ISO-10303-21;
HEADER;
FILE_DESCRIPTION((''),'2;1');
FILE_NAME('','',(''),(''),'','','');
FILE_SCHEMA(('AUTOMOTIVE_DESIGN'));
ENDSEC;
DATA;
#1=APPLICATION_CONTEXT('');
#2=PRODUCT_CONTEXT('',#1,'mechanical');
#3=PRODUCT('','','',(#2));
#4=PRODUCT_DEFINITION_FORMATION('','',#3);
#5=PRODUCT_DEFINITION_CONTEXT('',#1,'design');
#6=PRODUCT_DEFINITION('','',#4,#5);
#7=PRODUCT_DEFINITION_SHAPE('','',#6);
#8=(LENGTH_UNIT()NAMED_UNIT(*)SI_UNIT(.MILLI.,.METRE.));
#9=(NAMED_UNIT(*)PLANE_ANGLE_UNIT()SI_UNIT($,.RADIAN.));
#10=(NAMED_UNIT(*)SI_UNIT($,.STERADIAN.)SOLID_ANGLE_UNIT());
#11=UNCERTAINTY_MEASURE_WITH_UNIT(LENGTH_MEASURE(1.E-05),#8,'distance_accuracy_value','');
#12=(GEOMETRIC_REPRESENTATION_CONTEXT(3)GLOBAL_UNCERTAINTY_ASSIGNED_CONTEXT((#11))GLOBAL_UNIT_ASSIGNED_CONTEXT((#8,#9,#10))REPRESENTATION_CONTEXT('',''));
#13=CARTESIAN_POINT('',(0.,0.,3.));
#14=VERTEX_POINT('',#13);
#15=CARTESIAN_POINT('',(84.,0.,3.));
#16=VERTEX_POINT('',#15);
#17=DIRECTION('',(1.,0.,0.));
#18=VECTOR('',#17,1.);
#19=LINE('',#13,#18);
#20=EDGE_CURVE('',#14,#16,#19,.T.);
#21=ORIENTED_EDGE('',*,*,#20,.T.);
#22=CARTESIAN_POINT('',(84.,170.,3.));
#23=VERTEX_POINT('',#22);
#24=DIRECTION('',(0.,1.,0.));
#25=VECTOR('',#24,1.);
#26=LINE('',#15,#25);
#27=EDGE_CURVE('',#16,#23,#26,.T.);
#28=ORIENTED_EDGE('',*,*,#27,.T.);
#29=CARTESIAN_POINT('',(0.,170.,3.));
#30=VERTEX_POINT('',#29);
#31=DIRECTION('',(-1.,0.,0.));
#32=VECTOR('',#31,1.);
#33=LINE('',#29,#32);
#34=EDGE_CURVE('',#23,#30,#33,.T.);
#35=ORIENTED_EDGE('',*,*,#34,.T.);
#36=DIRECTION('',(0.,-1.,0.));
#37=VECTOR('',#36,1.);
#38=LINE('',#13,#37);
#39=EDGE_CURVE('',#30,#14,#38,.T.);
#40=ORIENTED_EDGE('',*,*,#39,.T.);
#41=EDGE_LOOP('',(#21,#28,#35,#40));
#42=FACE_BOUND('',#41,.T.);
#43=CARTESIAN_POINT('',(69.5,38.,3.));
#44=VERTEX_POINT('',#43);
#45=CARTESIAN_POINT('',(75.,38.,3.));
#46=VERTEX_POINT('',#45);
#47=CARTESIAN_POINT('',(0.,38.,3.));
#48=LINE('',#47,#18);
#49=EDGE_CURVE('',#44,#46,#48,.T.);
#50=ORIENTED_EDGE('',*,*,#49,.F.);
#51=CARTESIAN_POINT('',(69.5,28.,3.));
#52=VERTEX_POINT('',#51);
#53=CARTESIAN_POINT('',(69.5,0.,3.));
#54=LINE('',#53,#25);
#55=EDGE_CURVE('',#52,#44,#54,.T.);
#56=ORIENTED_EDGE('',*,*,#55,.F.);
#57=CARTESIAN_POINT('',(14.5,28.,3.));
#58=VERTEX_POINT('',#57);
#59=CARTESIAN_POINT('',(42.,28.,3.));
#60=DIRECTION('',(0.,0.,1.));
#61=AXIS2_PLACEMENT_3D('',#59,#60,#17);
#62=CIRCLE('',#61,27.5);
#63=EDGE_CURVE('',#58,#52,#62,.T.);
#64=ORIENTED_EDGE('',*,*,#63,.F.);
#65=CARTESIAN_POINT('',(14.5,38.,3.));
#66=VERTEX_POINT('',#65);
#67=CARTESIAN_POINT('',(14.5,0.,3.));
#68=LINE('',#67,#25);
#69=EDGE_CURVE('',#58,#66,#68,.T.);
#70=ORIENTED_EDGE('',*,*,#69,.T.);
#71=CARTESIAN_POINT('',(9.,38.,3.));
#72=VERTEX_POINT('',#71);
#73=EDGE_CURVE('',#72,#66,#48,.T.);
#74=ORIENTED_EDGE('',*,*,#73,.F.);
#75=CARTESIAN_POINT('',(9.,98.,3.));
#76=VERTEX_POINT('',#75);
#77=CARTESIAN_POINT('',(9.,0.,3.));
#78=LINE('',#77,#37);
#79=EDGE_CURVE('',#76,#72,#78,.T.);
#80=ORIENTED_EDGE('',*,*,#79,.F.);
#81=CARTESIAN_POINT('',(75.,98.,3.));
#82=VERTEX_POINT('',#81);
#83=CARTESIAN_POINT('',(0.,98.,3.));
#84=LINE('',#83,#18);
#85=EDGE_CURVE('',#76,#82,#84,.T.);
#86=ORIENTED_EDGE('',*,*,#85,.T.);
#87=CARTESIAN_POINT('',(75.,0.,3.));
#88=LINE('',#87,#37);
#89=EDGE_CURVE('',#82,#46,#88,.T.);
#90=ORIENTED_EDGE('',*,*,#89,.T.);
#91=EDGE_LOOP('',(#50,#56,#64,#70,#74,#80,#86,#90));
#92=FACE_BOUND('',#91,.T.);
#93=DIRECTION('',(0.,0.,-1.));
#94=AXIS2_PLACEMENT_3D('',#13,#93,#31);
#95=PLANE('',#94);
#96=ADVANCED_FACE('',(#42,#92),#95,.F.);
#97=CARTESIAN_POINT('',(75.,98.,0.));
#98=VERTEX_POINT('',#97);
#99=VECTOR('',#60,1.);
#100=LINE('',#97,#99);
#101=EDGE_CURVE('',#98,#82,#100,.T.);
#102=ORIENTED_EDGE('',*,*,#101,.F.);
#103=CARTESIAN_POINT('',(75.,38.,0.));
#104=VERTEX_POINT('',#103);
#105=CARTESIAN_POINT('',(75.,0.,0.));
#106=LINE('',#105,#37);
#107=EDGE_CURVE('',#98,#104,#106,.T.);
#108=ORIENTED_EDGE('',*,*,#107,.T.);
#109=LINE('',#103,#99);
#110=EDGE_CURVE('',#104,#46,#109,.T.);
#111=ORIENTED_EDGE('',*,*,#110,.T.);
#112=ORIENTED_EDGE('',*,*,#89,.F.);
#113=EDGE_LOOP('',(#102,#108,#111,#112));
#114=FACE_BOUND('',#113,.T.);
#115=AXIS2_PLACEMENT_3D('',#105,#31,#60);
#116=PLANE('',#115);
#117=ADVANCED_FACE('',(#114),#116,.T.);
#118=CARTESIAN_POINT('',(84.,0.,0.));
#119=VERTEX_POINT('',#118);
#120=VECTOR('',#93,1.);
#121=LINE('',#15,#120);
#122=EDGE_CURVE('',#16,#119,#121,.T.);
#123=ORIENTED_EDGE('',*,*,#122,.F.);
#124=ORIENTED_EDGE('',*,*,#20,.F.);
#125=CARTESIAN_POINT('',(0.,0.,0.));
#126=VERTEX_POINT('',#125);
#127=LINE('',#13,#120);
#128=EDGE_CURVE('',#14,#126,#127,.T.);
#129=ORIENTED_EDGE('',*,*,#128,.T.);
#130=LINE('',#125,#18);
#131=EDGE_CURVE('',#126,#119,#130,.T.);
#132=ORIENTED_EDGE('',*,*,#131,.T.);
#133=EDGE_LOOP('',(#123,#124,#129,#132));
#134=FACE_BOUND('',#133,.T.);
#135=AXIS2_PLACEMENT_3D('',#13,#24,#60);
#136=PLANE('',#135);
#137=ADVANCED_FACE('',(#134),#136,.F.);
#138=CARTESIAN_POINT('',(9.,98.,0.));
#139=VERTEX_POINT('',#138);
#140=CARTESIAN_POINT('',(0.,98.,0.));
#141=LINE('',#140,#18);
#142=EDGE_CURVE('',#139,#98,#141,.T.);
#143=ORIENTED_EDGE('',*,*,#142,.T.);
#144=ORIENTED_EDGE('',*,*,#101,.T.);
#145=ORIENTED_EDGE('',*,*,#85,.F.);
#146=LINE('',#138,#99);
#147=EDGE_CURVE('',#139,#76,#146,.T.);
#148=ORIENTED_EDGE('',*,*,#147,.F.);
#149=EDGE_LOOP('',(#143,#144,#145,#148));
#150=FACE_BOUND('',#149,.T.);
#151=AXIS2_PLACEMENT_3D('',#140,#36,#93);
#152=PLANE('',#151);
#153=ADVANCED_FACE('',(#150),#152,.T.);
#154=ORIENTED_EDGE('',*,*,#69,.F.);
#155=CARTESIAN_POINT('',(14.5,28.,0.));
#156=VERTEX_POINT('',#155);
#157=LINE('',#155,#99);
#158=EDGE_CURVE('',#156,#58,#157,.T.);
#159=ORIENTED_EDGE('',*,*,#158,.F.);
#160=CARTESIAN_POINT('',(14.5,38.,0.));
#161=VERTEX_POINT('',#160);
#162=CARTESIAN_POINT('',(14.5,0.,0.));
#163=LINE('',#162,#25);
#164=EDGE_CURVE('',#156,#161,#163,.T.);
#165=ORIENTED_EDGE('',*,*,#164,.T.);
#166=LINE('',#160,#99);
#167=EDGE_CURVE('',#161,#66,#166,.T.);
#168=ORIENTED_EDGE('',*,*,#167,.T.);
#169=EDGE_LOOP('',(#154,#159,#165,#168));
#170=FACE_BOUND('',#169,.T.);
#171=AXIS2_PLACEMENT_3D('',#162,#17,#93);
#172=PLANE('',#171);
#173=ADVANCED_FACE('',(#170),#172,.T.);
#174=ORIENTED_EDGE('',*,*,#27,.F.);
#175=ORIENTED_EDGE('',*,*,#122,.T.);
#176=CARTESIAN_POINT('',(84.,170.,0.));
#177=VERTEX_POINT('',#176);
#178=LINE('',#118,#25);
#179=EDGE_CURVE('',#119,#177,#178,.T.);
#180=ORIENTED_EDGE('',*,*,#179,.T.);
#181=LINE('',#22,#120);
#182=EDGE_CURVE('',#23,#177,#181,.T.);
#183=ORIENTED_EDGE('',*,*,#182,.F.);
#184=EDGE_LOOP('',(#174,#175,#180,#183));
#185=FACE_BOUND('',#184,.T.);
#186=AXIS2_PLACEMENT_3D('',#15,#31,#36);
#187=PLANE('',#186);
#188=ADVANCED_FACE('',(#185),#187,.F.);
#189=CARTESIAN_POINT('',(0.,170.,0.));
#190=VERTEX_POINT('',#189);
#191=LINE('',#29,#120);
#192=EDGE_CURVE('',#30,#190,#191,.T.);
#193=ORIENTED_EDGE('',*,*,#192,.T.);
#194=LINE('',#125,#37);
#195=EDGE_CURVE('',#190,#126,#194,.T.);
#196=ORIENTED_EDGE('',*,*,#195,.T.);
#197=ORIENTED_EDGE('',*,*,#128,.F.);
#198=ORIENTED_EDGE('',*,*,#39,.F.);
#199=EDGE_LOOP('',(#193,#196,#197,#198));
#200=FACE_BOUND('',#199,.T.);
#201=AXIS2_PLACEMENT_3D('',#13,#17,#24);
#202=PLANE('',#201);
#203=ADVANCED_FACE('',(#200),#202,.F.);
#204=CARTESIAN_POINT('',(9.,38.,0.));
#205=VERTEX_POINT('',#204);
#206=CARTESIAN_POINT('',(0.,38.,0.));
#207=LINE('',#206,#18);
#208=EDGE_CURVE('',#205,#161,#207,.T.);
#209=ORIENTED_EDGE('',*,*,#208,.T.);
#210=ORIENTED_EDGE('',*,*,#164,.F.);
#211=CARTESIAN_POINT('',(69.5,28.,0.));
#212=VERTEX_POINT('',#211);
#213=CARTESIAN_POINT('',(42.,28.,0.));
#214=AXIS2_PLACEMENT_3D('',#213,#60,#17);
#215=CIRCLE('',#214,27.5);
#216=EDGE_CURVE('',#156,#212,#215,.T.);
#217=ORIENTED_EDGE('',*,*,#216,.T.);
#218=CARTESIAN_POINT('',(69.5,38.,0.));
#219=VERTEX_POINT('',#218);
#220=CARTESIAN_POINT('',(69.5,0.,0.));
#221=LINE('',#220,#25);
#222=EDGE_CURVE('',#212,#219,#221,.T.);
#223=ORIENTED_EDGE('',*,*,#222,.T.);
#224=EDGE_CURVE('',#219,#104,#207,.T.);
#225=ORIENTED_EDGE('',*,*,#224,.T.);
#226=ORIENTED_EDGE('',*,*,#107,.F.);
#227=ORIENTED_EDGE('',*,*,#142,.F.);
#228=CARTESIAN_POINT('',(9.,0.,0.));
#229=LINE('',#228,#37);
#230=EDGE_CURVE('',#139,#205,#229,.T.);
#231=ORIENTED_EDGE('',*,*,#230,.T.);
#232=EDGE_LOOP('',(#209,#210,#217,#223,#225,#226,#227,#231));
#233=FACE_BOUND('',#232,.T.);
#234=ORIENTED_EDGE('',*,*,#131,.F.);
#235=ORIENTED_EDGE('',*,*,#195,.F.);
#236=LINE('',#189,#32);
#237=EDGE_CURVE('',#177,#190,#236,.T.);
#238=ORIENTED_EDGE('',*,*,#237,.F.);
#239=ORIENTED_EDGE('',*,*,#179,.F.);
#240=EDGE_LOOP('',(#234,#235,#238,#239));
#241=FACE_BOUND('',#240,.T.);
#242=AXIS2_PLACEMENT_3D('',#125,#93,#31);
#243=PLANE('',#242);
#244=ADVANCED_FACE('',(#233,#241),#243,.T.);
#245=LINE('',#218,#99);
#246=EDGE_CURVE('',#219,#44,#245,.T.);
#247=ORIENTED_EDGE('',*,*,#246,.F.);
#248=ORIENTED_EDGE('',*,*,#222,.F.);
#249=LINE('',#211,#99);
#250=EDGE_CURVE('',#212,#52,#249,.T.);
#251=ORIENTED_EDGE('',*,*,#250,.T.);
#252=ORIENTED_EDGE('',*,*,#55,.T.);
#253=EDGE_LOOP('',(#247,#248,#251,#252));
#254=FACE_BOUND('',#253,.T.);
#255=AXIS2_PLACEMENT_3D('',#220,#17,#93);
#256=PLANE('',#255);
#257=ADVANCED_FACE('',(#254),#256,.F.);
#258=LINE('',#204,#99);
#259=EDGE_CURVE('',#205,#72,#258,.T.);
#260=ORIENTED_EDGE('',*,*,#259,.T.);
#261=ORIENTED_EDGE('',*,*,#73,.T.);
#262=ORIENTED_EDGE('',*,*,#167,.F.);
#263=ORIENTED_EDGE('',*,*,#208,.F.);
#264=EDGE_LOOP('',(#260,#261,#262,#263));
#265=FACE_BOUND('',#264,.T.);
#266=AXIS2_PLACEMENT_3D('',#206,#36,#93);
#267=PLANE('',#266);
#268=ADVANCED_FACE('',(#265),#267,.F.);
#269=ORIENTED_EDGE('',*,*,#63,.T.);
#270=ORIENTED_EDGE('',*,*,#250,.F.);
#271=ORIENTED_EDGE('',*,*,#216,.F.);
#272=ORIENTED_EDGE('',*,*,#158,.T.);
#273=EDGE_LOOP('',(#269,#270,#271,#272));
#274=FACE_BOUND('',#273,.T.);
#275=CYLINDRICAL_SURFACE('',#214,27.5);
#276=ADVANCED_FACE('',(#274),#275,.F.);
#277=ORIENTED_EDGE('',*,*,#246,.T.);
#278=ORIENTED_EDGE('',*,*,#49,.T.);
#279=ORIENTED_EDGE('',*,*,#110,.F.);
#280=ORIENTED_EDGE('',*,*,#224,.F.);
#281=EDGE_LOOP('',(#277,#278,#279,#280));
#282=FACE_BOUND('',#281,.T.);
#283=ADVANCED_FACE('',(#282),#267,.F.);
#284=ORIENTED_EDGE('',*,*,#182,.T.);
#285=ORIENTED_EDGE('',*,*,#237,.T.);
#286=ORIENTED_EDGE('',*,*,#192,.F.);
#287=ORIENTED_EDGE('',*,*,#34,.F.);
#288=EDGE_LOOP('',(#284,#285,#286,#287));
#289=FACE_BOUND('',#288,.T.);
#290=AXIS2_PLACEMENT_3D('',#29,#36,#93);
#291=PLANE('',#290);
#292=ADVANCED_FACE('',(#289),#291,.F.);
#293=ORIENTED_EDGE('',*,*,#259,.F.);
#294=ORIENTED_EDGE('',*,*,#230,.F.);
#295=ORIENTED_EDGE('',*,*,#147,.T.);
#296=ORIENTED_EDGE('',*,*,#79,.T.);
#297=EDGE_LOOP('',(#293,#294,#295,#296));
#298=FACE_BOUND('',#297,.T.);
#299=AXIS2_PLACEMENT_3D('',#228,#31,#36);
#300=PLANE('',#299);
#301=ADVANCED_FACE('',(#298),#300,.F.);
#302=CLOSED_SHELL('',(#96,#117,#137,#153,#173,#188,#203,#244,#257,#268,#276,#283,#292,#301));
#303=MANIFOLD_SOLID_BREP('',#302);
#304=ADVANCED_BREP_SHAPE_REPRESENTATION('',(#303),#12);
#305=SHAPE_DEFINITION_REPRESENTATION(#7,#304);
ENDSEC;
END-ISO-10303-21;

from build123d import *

# Parameters (mm, degrees)
SKETCH_1_W          = 84
SKETCH_1_H          = 170
EXTRUDE_1_DEPTH     = 3
CUT_EXTRUDE_1_DEPTH = 3


with BuildPart() as part:
    # 草图1 → 凸台-拉伸1 (new body)
    with BuildSketch(Plane.XY):
        with Locations((42, 85)):
            Rectangle(SKETCH_1_W, SKETCH_1_H)
    extrude(amount=EXTRUDE_1_DEPTH)

    # 草图2 → 切除-拉伸1 (cut)
    with BuildSketch(Plane.XY.offset(3)):
        with BuildLine():
            Line((75, 98), (9, 98))
            Line((9, 98), (9, 38))
            Line((9, 38), (14.5, 38))
            Line((14.5, 38), (14.5, 28))
            ThreePointArc((14.5, 28), (42, 0.5), (69.5, 28))
            Line((69.5, 28), (69.5, 38))
            Line((69.5, 38), (75, 38))
            Line((75, 38), (75, 98))
        make_face()
    extrude(amount=-CUT_EXTRUDE_1_DEPTH, mode=Mode.SUBTRACT)


solid = part.part
